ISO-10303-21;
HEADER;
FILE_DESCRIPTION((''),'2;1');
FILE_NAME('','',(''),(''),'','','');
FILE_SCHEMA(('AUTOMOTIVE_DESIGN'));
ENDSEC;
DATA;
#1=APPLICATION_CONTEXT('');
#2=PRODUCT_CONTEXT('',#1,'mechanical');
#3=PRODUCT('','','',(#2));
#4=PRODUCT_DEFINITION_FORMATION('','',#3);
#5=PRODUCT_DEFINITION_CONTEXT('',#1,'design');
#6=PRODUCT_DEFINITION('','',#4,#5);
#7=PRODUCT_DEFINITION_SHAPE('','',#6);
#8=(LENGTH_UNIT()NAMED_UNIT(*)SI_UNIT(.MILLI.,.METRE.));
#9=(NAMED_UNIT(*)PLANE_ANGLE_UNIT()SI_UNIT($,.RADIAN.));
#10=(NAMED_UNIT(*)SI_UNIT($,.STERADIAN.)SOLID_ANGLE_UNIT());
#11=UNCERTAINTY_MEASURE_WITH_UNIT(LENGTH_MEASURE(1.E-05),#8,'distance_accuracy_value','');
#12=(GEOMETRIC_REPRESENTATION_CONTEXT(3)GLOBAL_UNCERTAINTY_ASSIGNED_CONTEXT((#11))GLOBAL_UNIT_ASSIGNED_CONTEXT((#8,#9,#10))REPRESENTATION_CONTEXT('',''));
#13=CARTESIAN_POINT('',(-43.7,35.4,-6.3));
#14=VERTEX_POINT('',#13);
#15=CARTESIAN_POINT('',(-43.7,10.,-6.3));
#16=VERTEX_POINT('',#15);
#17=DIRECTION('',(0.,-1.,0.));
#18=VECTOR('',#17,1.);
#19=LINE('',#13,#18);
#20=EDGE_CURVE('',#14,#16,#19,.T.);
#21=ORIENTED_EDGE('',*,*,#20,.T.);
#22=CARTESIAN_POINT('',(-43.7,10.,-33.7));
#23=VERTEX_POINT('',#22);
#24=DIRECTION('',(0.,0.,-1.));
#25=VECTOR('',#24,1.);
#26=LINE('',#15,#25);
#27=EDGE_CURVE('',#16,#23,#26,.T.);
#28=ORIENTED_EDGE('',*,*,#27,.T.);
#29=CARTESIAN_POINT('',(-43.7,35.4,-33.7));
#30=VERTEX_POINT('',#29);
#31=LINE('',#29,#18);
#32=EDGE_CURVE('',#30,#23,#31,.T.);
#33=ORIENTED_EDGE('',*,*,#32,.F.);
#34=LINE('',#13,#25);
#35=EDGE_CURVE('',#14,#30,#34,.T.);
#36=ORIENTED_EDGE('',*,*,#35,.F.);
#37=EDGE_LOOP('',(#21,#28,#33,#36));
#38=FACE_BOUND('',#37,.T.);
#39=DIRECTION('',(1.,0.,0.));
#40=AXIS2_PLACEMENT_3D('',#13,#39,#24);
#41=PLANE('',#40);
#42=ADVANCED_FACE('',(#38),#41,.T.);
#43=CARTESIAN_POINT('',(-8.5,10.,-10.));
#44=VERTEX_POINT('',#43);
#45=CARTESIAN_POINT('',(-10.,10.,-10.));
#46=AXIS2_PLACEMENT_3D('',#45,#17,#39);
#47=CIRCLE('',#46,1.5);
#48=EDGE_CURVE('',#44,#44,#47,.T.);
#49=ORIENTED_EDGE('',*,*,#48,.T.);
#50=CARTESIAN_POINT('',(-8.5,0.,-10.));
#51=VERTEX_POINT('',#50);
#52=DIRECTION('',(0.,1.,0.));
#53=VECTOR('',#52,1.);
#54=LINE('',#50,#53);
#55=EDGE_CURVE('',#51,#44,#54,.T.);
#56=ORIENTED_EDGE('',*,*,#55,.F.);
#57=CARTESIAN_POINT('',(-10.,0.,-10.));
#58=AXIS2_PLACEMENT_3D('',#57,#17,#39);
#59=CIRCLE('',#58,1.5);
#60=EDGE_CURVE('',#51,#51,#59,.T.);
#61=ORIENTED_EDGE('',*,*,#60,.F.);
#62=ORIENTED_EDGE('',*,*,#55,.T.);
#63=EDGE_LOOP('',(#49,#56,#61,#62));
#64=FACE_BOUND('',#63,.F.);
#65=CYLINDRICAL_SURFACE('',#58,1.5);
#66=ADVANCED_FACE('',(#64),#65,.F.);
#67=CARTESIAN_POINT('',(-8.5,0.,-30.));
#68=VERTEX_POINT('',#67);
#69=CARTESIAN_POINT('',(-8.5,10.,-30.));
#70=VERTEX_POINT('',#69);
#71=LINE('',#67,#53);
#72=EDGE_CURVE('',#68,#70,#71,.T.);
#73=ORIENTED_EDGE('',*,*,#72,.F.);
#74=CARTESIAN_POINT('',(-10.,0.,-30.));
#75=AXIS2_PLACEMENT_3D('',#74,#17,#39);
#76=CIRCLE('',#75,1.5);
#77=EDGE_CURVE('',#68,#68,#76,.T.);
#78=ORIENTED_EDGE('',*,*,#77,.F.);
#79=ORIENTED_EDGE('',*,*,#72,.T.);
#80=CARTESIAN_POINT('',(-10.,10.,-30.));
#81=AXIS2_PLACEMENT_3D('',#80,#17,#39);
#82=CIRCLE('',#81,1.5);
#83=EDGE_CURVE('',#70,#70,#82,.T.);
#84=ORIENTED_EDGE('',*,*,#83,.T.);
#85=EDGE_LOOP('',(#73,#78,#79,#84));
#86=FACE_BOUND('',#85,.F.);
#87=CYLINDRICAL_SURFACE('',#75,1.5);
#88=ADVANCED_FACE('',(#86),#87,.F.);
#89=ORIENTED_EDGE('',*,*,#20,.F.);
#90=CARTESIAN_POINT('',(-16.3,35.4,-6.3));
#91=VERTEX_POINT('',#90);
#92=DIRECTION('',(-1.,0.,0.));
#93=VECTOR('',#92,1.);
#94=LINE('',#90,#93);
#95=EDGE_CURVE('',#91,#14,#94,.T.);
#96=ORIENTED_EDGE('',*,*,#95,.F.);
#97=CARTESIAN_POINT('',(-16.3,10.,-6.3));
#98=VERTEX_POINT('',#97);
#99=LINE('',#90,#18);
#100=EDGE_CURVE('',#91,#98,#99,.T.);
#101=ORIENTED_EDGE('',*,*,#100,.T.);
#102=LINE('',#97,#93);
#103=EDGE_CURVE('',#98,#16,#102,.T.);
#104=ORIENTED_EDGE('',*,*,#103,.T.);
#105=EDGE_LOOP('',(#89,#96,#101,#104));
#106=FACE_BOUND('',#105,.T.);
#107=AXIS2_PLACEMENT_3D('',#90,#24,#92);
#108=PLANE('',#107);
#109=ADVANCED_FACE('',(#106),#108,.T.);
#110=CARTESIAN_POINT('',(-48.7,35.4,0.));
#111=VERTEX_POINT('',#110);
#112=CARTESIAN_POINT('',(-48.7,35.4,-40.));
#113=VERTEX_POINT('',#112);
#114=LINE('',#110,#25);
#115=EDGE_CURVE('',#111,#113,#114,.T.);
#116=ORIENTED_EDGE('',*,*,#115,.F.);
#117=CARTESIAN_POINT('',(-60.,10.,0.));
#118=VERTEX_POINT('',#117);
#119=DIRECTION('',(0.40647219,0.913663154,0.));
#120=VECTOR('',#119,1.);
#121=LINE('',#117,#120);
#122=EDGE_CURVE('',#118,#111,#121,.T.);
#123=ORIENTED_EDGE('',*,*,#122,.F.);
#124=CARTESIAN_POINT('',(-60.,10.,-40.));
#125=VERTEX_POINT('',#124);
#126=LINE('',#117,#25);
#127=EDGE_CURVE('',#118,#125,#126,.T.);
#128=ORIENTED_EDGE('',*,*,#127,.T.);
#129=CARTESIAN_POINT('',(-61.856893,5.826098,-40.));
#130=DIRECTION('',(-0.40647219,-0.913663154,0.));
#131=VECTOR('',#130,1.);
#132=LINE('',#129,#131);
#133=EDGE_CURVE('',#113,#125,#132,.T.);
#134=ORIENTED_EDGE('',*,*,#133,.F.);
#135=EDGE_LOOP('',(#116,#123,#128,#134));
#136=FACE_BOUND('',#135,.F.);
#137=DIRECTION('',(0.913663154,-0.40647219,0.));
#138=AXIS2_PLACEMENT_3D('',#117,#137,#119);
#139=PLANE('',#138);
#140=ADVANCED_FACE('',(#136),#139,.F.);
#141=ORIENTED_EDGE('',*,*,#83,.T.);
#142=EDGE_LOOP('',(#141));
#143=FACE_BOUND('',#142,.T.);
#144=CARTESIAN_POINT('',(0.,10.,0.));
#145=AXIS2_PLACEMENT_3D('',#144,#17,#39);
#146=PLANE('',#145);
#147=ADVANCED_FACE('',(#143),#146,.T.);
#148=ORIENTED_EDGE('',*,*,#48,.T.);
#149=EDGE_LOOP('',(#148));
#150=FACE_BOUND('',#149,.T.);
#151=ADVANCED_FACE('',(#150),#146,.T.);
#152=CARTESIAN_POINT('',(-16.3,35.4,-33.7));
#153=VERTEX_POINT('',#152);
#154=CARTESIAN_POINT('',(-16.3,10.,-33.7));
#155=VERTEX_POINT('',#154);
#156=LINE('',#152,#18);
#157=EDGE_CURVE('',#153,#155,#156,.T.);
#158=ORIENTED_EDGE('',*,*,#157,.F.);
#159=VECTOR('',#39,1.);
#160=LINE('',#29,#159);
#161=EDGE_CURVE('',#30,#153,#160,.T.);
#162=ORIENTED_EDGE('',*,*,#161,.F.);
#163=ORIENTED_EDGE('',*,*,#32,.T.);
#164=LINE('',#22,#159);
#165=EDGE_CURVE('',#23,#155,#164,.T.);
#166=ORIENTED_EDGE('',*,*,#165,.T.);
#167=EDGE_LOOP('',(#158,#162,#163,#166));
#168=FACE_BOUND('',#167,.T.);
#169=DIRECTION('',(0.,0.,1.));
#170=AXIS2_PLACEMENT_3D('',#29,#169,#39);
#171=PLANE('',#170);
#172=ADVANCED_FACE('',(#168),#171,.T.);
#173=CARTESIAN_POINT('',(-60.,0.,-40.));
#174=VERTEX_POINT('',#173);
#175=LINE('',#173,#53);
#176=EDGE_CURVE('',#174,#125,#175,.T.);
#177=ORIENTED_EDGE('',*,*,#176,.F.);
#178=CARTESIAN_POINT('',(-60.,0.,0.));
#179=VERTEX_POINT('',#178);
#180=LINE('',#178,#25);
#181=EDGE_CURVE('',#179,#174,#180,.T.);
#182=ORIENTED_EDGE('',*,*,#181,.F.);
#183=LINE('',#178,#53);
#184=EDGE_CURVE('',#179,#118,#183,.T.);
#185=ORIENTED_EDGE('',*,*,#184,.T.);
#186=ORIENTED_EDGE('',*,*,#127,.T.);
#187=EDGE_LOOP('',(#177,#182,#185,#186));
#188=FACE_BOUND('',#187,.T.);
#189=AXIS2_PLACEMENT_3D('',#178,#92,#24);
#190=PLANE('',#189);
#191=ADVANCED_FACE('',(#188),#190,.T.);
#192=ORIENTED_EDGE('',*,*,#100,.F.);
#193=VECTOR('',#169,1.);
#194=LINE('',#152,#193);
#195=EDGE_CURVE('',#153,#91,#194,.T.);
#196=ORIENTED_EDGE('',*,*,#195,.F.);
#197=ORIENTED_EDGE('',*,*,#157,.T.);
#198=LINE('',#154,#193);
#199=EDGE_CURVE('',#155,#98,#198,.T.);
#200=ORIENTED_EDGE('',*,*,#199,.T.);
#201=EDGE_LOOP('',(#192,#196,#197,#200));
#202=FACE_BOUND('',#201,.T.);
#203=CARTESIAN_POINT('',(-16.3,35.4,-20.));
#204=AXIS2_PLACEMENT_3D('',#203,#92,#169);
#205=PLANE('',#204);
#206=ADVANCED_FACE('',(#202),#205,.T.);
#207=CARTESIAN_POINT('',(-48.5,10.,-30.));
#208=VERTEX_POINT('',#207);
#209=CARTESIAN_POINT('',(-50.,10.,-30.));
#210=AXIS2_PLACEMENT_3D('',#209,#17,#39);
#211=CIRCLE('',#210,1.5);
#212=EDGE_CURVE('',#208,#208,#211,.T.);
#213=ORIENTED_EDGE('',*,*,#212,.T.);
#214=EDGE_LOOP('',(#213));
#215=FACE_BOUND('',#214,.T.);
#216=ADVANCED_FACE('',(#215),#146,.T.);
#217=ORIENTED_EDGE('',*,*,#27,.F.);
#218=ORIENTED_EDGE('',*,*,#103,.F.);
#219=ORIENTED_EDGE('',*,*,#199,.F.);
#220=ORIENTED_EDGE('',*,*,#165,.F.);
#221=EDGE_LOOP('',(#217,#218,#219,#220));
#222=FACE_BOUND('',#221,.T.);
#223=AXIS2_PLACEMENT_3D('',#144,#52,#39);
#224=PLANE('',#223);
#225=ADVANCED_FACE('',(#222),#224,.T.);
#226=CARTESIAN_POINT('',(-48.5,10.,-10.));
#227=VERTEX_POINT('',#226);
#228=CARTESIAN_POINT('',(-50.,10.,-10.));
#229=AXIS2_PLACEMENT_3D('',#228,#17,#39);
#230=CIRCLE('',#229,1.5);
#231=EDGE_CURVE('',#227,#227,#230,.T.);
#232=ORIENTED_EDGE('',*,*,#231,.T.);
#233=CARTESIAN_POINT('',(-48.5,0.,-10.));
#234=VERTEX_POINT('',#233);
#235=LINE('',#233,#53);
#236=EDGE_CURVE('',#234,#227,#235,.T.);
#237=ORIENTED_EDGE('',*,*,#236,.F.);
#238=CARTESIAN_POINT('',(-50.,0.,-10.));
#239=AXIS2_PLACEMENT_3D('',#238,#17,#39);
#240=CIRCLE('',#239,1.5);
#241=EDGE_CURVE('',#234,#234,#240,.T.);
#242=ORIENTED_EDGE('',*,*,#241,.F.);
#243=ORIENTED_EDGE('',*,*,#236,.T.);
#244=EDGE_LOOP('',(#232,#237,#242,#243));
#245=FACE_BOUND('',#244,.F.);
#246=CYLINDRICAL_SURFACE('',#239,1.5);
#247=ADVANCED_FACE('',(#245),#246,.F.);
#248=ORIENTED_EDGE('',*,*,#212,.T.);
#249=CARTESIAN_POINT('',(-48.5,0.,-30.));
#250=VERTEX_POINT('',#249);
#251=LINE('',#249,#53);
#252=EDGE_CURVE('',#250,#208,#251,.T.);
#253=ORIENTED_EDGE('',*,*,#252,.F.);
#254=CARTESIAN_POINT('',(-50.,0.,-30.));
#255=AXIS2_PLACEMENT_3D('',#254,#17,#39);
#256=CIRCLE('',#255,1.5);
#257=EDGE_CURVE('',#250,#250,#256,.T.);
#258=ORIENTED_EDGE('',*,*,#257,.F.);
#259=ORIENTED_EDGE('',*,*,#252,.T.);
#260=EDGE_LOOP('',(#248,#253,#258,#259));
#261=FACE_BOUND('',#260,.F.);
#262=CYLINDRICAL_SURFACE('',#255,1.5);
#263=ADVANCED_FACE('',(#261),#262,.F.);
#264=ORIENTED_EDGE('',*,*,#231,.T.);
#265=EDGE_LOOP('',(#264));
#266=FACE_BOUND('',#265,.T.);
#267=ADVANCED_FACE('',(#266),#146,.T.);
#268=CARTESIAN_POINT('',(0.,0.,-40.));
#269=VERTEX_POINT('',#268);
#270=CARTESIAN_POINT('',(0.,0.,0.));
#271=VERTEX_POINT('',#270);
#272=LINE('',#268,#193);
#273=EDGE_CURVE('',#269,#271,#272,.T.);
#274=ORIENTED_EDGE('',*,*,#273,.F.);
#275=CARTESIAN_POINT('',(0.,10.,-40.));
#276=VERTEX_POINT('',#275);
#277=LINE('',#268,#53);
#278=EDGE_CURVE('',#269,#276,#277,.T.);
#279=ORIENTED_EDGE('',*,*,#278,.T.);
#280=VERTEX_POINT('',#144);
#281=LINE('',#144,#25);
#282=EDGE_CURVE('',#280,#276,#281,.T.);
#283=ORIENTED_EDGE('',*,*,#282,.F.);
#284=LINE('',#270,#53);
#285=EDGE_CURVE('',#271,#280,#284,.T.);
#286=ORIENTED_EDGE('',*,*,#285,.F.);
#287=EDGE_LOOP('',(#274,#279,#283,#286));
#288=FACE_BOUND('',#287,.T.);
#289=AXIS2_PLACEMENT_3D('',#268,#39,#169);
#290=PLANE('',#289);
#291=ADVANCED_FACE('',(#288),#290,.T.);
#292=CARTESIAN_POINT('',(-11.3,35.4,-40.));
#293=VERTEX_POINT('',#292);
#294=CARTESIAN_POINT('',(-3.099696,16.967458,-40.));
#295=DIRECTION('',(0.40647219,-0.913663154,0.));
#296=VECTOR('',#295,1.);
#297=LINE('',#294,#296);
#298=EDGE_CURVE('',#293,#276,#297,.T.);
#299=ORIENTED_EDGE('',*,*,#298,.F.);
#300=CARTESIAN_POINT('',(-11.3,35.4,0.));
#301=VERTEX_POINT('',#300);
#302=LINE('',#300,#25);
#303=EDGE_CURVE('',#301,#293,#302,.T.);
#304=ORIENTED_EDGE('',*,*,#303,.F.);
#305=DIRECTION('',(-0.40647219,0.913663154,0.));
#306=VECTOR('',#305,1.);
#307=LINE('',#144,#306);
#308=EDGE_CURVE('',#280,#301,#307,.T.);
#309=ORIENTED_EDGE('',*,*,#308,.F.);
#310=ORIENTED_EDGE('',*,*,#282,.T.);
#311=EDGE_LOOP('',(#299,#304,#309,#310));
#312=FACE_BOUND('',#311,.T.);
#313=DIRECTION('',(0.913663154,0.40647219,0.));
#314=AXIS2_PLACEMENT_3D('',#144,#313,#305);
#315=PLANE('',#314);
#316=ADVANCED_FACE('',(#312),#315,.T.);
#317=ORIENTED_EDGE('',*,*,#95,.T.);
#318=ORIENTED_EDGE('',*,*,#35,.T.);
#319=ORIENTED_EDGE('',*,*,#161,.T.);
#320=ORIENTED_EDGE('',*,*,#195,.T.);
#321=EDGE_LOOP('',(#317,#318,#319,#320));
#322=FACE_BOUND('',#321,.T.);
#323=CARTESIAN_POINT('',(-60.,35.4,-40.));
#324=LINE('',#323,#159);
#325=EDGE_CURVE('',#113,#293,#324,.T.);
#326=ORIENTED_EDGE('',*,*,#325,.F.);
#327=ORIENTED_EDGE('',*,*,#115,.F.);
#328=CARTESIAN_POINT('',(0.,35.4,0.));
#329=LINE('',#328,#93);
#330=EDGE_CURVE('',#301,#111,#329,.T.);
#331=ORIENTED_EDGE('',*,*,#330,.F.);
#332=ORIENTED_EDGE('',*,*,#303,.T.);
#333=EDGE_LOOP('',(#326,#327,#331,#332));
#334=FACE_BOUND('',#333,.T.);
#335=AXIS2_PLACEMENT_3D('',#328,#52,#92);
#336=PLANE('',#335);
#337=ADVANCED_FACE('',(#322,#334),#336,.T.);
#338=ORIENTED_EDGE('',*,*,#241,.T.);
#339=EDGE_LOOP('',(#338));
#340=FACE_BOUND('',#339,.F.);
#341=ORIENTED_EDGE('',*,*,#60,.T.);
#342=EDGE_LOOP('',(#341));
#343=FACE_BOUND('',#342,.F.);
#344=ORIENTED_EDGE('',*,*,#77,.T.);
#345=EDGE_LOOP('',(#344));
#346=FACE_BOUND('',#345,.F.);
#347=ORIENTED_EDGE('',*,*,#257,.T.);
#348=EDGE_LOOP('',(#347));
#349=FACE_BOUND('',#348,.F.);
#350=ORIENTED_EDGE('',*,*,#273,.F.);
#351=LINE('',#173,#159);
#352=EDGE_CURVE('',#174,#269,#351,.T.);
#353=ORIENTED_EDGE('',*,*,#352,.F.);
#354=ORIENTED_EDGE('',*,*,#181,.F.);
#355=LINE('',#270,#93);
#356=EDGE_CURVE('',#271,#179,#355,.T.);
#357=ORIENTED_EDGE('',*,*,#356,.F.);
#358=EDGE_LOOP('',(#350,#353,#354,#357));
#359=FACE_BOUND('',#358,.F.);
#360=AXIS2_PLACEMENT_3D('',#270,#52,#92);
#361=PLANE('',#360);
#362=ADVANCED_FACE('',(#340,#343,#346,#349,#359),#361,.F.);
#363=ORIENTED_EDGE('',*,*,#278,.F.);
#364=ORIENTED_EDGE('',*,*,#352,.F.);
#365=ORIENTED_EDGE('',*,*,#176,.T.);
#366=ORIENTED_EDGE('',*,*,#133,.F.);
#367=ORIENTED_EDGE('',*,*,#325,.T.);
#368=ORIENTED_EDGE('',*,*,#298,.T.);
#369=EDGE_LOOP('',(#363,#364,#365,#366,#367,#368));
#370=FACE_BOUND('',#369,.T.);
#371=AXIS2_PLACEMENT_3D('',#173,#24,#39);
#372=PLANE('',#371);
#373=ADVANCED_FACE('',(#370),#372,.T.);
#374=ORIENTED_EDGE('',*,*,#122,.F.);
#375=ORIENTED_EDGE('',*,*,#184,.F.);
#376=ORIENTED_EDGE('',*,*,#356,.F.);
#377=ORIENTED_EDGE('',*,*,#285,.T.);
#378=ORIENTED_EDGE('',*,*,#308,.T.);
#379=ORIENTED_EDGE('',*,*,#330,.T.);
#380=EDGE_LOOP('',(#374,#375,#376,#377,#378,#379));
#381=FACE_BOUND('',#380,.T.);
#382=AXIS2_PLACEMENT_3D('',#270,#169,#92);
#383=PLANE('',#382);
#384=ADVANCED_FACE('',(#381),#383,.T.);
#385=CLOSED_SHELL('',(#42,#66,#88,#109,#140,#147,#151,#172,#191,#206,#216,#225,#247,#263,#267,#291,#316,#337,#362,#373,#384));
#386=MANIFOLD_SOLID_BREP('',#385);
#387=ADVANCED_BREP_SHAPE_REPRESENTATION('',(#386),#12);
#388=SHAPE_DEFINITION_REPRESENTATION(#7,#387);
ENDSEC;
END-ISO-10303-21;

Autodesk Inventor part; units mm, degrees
ref_plane "YZ Plane" through (0, 0, 0) normal (1, 0, 0) x (0, 1, 0)
ref_plane "XZ Plane" through (0, 0, 0) normal (0, 1, 0) x (-1, 0, 0)
ref_plane "XY Plane" through (0, 0, 0) normal (0, 0, 1) x (1, 0, 0)
sketch "Sketch1" plane through (0, 0, 0) normal (0, 1, 0) x (-1, 0, 0)
  line L0 (0, 0) -> (60, 0)
  line L1 (60, 0) -> (60, -40)
  line L2 (60, -40) -> (0, -40)
  line L3 (0, -40) -> (0, 0)
  dimension "d0" = 60
  dimension "d1" = 40
extrude "Extrusion1" add sketch "Sketch1" along normal blind 35.4
sketch "Sketch2" plane through (0, 35.4, 0) normal (0, 1, 0) x (1, 0, 0)
  line L0 (-60, 0) -> (0, 0) projected
  line L1 (0, 40) -> (-60, 40) projected
  line L2 (-43.7, 6.3) -> (-43.7, 33.7)
  line L3 (-43.7, 33.7) -> (-16.3, 33.7)
  line L4 (-16.3, 33.7) -> (-16.3, 20)
  line L5 (-16.3, 20) -> (-16.3, 6.3)
  line L6 (-16.3, 6.3) -> (-43.7, 6.3)
  line L7 (-48.7, 38.7) -> (-48.7, 1.3)
  line L8 (-48.7, 1.3) -> (-11.3, 1.3)
  line L9 (-11.3, 1.3) -> (-11.3, 38.7)
  line L10 (-11.3, 38.7) -> (-48.7, 38.7)
  dimension "d9" = 5
extrude "Extrusion2" cut sketch "Sketch2" against normal blind 25.4 contours L2 L3 L4 L5 L6
sketch "Sketch3" plane through (-60, 0, 0) normal (0, 0, 1) x (1, 0, 0)
  line L0 (60, 0) -> (60, 35.4) projected
  line L1 (60, 35.4) -> (30, 35.4)
  line L2 (0, 35.4) -> (60, 35.4) projected
  line L3 (30, 35.4) -> (11.3, 35.4)
  line L4 (0, 0) -> (0, 35.4) projected
  line L5 (0, 0) -> (0, 10)
  line L6 (0, 10) -> (11.3, 35.4)
  line L7 (0, 35.4) -> (11.3, 35.4)
  line L8 (0, 35.4) -> (0, 10)
  line L9 (60, 0) -> (0, 0) projected
  line L10 (60, 35.4) -> (0, 35.4)
  line L11 (60, 0) -> (60, 35.4)
  line L12 (60, 10) -> (48.7, 35.4)
  line L13 (60, 35.4) -> (60, 10)
  dimension "d12" = 18.7
  dimension "d13" = 10
extrude "Extrusion3" cut sketch "Sketch3" against normal through all contours L12 L1 L0 | L4 L2 L6
sketch "Sketch4" plane through (0, 0, 0) normal (0, -1, 0) x (1, 0, 0)
  line L0 (-60, 0) -> (0, 0) projected
  line L1 (-11.3, -40) -> (-48.7, -40) projected
  circle A0 centre (-50, -10) radius 1.5
  circle A1 centre (-50, -30) radius 1.5
  circle A2 centre (-10, -30) radius 1.5
  circle A3 centre (-10, -10) radius 1.5
  dimension "d20" = 3
extrude "Extrusion4" cut sketch "Sketch4" against normal blind 10
properties part number "Tilt_Metal_Attachment"
